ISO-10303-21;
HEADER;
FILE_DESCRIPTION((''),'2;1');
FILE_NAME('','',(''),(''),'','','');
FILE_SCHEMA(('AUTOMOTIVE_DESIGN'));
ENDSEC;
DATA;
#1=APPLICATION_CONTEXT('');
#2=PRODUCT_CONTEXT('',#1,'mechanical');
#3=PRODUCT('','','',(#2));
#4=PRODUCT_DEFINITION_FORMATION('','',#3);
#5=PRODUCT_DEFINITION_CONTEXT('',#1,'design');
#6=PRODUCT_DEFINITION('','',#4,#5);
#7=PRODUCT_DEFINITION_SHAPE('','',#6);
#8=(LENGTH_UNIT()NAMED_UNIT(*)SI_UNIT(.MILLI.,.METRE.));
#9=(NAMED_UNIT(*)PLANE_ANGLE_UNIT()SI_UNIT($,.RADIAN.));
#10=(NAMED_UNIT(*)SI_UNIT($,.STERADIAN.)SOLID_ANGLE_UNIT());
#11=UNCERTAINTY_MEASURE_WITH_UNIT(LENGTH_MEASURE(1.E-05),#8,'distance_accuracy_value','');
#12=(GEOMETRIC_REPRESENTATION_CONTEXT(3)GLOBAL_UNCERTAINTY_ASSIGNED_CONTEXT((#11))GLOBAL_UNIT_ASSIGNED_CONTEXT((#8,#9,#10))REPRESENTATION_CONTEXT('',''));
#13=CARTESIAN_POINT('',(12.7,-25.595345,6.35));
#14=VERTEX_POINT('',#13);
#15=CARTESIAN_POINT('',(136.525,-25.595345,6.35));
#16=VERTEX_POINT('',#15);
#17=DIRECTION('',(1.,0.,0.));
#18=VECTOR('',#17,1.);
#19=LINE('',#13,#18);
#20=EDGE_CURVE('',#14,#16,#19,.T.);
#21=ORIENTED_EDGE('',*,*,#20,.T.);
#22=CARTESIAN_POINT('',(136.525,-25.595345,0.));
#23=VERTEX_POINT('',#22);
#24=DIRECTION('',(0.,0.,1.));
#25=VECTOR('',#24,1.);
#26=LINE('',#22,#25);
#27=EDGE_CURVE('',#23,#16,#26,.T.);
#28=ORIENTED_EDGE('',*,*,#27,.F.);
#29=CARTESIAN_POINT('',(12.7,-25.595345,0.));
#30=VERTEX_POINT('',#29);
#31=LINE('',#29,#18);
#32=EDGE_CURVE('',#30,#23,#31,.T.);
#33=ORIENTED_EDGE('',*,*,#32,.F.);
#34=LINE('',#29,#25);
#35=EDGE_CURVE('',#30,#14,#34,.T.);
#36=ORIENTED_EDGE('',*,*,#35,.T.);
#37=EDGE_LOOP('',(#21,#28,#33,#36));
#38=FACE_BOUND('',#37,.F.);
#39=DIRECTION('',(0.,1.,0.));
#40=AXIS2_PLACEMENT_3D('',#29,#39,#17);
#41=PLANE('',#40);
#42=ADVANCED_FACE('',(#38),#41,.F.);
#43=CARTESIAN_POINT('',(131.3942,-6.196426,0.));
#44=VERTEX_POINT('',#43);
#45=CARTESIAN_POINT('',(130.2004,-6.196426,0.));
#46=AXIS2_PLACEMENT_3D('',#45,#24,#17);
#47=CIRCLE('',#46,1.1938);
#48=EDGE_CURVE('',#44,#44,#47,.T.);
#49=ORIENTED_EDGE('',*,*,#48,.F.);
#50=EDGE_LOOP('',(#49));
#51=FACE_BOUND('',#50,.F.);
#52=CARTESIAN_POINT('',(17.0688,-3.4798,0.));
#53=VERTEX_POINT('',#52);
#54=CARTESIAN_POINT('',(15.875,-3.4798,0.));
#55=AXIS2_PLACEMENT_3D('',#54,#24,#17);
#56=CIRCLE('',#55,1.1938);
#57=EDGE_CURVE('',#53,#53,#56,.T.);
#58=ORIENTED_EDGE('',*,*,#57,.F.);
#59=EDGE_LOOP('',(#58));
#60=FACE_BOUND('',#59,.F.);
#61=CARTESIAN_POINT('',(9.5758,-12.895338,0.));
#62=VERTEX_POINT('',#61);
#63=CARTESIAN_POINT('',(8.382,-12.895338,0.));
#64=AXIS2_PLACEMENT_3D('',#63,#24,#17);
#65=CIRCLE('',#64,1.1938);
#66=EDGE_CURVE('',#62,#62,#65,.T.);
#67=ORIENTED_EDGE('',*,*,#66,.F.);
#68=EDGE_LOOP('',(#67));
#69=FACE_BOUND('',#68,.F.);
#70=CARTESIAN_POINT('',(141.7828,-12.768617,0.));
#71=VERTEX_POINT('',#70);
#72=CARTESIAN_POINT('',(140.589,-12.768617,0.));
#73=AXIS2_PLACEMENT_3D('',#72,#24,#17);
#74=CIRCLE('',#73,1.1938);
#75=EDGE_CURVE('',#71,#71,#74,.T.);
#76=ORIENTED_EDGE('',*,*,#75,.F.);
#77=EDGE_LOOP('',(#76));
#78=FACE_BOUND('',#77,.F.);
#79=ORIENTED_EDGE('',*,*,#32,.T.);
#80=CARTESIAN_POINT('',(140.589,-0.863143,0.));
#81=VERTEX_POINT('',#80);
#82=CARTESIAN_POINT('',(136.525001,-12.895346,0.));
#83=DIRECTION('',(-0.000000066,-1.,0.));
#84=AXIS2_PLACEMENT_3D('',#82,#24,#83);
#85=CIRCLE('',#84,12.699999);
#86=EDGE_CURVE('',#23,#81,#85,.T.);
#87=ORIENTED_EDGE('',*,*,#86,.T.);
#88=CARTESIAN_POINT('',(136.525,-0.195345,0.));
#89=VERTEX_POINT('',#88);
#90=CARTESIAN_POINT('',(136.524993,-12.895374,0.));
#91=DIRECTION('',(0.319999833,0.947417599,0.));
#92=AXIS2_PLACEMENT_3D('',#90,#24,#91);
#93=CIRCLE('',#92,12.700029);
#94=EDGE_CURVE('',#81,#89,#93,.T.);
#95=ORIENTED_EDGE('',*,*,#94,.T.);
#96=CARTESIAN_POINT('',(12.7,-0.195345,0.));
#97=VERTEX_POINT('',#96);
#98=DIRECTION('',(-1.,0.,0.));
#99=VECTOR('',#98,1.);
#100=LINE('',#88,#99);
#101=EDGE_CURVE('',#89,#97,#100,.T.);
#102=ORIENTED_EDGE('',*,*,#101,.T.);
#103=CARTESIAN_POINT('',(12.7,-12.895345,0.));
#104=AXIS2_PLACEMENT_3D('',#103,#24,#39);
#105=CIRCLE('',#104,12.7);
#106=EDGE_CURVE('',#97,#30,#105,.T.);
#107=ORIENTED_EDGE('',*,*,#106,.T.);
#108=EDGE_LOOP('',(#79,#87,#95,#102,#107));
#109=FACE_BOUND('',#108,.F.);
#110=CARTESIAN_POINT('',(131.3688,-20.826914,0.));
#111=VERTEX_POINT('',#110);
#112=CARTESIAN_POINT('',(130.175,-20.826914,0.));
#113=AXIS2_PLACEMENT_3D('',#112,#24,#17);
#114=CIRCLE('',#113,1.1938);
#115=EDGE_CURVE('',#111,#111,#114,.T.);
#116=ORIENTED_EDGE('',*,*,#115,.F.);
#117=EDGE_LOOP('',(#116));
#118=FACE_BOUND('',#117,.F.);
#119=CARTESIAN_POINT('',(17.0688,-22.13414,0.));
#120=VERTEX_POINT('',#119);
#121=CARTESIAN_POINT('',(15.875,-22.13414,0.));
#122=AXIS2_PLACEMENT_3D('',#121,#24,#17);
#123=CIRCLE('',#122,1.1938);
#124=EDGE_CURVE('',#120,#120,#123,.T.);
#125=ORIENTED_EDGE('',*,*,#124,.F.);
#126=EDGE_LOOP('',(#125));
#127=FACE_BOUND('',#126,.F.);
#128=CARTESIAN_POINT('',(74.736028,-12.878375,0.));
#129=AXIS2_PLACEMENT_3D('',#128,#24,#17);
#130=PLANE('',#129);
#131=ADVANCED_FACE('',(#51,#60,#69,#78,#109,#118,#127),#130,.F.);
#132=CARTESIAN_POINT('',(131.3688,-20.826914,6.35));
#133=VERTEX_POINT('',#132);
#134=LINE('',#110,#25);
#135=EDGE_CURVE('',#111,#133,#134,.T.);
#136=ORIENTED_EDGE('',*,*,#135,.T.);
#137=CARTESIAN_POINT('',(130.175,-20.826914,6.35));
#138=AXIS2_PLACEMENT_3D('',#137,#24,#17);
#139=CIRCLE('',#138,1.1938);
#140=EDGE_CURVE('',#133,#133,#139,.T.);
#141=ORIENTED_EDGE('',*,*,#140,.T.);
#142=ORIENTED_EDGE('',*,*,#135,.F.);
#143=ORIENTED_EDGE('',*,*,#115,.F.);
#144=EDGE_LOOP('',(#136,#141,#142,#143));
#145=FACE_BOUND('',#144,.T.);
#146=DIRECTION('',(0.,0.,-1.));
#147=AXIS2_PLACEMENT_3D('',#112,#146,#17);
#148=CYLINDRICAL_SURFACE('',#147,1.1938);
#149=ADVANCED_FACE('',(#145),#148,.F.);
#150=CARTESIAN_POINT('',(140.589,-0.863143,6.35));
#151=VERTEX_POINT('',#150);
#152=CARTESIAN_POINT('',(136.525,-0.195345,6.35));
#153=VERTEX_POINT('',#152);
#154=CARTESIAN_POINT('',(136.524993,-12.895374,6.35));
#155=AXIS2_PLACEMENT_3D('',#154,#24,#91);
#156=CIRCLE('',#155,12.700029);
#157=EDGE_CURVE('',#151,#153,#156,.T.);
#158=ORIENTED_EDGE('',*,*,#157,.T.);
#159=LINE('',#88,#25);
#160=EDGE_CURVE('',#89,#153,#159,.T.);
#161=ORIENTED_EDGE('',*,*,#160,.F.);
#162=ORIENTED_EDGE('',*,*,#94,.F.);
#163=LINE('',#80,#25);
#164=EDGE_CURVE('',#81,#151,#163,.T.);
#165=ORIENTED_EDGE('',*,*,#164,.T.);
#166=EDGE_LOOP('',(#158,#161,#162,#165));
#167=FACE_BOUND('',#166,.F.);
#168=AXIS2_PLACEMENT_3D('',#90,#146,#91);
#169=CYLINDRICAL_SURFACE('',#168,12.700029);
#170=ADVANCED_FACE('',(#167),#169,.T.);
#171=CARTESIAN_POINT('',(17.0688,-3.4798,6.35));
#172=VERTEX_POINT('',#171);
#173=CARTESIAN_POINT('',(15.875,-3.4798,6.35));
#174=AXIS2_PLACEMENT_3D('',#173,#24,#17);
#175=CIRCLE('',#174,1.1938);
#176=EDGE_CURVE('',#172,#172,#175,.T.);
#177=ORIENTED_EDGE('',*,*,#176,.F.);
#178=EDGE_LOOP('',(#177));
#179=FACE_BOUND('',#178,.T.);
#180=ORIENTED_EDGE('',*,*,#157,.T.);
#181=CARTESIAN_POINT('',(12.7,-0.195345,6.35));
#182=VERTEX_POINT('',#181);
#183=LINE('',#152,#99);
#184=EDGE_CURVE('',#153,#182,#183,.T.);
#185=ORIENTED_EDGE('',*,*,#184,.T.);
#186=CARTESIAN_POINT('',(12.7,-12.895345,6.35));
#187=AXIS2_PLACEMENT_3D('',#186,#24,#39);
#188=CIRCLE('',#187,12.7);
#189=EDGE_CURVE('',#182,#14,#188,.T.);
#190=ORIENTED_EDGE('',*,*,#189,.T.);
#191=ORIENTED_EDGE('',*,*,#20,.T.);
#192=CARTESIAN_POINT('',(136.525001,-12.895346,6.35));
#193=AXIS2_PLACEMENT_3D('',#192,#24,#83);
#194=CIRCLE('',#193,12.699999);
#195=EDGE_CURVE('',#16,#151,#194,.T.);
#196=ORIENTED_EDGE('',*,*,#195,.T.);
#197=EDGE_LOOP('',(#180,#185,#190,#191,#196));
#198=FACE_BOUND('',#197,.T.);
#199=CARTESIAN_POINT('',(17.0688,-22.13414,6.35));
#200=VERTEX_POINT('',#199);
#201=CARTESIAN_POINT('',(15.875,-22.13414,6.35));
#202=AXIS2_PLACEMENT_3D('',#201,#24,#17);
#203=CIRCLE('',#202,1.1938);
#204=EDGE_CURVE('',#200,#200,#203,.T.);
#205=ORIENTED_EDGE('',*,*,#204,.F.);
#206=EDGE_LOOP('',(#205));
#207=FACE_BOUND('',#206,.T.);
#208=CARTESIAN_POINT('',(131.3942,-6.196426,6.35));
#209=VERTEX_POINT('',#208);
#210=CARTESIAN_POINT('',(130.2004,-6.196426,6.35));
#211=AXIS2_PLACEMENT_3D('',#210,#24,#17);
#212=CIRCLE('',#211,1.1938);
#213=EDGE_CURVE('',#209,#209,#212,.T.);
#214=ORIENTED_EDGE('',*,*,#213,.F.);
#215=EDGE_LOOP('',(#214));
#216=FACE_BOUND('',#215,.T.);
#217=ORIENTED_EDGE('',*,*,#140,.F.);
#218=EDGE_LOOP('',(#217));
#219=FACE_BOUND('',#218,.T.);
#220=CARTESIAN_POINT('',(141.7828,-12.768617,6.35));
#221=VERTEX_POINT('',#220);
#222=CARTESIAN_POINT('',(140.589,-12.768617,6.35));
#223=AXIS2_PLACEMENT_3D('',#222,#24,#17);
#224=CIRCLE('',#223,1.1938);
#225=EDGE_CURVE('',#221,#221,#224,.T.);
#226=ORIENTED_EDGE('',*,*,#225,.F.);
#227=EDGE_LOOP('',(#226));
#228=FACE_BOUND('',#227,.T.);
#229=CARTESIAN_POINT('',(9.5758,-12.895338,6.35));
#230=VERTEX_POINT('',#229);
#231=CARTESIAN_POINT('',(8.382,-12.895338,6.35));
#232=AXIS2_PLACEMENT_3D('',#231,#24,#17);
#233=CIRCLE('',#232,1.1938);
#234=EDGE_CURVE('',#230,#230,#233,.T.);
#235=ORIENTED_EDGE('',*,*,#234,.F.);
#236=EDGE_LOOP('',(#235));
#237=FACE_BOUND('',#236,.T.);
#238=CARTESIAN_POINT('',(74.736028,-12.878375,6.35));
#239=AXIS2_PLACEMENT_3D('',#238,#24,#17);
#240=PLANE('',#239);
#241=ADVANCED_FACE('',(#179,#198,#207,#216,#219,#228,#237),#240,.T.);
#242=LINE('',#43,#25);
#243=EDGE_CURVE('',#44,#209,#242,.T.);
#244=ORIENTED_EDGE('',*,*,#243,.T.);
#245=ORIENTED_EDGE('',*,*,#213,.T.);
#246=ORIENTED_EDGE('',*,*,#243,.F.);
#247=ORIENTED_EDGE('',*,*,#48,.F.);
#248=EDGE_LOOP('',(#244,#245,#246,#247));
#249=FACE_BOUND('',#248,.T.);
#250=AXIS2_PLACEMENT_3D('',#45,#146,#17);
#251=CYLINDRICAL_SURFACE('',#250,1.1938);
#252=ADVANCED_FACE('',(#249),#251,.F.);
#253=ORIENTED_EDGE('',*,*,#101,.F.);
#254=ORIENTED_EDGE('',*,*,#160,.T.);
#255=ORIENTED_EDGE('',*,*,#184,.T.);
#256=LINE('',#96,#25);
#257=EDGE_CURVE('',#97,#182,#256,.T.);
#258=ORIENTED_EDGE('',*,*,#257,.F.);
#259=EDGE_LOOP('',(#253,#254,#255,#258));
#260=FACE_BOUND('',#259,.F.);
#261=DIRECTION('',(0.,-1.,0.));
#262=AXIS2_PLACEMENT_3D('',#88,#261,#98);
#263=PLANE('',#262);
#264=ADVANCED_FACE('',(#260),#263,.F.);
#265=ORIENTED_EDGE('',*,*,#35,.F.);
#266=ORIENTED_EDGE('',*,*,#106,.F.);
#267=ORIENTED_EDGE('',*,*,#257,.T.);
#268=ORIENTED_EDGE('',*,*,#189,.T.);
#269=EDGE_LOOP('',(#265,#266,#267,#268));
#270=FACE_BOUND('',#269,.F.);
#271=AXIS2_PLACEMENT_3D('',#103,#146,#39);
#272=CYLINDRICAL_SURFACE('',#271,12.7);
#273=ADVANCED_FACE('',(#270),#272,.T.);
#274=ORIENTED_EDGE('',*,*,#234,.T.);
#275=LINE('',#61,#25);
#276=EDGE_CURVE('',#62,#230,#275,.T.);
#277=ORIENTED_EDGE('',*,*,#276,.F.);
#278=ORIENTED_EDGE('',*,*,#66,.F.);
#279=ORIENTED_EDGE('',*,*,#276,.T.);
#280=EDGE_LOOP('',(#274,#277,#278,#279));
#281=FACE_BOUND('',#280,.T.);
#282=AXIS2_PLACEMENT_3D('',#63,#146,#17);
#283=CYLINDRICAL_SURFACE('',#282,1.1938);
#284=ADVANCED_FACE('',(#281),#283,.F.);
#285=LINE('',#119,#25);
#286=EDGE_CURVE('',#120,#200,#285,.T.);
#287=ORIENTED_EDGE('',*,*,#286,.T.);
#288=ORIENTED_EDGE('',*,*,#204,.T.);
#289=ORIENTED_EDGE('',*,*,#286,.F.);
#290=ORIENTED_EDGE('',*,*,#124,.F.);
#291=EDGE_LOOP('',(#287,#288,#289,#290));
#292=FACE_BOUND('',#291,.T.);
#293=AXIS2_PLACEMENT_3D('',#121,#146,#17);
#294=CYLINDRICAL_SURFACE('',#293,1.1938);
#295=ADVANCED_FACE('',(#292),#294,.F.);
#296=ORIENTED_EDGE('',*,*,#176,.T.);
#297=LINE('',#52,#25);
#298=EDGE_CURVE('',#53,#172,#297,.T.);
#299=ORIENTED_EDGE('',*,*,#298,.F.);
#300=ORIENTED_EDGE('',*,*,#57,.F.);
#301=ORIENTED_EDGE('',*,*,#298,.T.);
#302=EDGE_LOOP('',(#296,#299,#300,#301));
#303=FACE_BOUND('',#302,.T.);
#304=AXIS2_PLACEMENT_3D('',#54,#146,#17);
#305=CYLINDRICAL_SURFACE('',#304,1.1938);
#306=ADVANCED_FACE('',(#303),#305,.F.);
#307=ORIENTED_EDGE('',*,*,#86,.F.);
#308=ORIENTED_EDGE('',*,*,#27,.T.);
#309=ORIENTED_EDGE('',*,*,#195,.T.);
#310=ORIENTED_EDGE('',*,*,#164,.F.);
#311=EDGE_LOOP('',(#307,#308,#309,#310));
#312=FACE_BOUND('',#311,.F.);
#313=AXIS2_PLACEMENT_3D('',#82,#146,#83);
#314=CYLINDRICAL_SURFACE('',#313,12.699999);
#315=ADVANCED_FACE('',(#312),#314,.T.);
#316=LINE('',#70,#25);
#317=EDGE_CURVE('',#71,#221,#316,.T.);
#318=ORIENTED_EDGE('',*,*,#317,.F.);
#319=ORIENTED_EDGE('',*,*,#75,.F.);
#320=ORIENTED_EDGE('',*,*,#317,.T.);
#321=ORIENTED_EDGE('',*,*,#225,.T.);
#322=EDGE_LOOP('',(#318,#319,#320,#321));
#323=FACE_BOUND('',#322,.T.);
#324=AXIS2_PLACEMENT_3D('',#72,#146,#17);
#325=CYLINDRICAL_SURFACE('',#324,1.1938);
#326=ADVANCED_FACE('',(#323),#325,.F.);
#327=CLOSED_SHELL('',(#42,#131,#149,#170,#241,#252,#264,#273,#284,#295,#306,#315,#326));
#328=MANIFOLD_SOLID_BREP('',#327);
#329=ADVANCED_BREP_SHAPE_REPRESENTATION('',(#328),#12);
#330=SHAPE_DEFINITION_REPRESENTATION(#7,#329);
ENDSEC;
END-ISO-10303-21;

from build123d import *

# Parameters (mm, degrees)
F0_R     = 2.1336
F0_R_2   = 2.8448
F0_R_3   = 6.604
F0_R_4   = 2.38125
F0_R_5   = 3.429
F0_R_6   = 4.8641
F0_R_7   = 1.1938
F1_DEPTH = 6.35


with BuildPart() as f1:
    # F0 (on Top) → F1 (new body)
    with BuildSketch(Plane.XY):
        with BuildLine():
            Line((12.7, -25.595345), (136.525, -25.595345))
            ThreePointArc((136.525, -25.595345), (149.056939, -14.954596), (140.589, -0.863143))
            ThreePointArc((140.589, -0.863143), (138.58425, -0.363407), (136.525, -0.195345))
            Line((136.525, -0.195345), (15.875, -0.195345))
            Line((15.875, -0.195345), (12.7, -0.195345))
            ThreePointArc((12.7, -0.195345), (0, -12.895345), (12.7, -25.595345))
        make_face()
        with Locations((15.875, -22.13414)):
            Circle(F0_R, mode=Mode.SUBTRACT)
        with Locations((130.175, -20.826914)):
            Circle(F0_R_2, mode=Mode.SUBTRACT)
        with Locations((8.382, -12.895338)):
            Circle(F0_R_3, mode=Mode.SUBTRACT)
        with Locations((15.875, -3.4798)):
            Circle(F0_R_4, mode=Mode.SUBTRACT)
        with Locations((140.589, -12.768617)):
            Circle(F0_R_5, mode=Mode.SUBTRACT)
        with Locations((130.2004, -6.196426)):
            Circle(F0_R_6, mode=Mode.SUBTRACT)
        with Locations((8.382, -12.895338)):
            Circle(F0_R_3)
        with Locations((8.382, -12.895338)):
            Circle(F0_R_7, mode=Mode.SUBTRACT)
        with Locations((15.875, -22.13414)):
            Circle(F0_R)
        with Locations((15.875, -22.13414)):
            Circle(F0_R_7, mode=Mode.SUBTRACT)
        with Locations((15.875, -3.4798)):
            Circle(F0_R_4)
        with Locations((15.875, -3.4798)):
            Circle(F0_R_7, mode=Mode.SUBTRACT)
        with Locations((130.2004, -6.196426)):
            Circle(F0_R_6)
        with Locations((130.2004, -6.196426)):
            Circle(F0_R_7, mode=Mode.SUBTRACT)
        with Locations((140.589, -12.768617)):
            Circle(F0_R_5)
        with Locations((140.589, -12.768617)):
            Circle(F0_R_7, mode=Mode.SUBTRACT)
        with Locations((130.175, -20.826914)):
            Circle(F0_R_2)
        with Locations((130.175, -20.826914)):
            Circle(F0_R_7, mode=Mode.SUBTRACT)
    extrude(amount=F1_DEPTH)


solid = f1.part
